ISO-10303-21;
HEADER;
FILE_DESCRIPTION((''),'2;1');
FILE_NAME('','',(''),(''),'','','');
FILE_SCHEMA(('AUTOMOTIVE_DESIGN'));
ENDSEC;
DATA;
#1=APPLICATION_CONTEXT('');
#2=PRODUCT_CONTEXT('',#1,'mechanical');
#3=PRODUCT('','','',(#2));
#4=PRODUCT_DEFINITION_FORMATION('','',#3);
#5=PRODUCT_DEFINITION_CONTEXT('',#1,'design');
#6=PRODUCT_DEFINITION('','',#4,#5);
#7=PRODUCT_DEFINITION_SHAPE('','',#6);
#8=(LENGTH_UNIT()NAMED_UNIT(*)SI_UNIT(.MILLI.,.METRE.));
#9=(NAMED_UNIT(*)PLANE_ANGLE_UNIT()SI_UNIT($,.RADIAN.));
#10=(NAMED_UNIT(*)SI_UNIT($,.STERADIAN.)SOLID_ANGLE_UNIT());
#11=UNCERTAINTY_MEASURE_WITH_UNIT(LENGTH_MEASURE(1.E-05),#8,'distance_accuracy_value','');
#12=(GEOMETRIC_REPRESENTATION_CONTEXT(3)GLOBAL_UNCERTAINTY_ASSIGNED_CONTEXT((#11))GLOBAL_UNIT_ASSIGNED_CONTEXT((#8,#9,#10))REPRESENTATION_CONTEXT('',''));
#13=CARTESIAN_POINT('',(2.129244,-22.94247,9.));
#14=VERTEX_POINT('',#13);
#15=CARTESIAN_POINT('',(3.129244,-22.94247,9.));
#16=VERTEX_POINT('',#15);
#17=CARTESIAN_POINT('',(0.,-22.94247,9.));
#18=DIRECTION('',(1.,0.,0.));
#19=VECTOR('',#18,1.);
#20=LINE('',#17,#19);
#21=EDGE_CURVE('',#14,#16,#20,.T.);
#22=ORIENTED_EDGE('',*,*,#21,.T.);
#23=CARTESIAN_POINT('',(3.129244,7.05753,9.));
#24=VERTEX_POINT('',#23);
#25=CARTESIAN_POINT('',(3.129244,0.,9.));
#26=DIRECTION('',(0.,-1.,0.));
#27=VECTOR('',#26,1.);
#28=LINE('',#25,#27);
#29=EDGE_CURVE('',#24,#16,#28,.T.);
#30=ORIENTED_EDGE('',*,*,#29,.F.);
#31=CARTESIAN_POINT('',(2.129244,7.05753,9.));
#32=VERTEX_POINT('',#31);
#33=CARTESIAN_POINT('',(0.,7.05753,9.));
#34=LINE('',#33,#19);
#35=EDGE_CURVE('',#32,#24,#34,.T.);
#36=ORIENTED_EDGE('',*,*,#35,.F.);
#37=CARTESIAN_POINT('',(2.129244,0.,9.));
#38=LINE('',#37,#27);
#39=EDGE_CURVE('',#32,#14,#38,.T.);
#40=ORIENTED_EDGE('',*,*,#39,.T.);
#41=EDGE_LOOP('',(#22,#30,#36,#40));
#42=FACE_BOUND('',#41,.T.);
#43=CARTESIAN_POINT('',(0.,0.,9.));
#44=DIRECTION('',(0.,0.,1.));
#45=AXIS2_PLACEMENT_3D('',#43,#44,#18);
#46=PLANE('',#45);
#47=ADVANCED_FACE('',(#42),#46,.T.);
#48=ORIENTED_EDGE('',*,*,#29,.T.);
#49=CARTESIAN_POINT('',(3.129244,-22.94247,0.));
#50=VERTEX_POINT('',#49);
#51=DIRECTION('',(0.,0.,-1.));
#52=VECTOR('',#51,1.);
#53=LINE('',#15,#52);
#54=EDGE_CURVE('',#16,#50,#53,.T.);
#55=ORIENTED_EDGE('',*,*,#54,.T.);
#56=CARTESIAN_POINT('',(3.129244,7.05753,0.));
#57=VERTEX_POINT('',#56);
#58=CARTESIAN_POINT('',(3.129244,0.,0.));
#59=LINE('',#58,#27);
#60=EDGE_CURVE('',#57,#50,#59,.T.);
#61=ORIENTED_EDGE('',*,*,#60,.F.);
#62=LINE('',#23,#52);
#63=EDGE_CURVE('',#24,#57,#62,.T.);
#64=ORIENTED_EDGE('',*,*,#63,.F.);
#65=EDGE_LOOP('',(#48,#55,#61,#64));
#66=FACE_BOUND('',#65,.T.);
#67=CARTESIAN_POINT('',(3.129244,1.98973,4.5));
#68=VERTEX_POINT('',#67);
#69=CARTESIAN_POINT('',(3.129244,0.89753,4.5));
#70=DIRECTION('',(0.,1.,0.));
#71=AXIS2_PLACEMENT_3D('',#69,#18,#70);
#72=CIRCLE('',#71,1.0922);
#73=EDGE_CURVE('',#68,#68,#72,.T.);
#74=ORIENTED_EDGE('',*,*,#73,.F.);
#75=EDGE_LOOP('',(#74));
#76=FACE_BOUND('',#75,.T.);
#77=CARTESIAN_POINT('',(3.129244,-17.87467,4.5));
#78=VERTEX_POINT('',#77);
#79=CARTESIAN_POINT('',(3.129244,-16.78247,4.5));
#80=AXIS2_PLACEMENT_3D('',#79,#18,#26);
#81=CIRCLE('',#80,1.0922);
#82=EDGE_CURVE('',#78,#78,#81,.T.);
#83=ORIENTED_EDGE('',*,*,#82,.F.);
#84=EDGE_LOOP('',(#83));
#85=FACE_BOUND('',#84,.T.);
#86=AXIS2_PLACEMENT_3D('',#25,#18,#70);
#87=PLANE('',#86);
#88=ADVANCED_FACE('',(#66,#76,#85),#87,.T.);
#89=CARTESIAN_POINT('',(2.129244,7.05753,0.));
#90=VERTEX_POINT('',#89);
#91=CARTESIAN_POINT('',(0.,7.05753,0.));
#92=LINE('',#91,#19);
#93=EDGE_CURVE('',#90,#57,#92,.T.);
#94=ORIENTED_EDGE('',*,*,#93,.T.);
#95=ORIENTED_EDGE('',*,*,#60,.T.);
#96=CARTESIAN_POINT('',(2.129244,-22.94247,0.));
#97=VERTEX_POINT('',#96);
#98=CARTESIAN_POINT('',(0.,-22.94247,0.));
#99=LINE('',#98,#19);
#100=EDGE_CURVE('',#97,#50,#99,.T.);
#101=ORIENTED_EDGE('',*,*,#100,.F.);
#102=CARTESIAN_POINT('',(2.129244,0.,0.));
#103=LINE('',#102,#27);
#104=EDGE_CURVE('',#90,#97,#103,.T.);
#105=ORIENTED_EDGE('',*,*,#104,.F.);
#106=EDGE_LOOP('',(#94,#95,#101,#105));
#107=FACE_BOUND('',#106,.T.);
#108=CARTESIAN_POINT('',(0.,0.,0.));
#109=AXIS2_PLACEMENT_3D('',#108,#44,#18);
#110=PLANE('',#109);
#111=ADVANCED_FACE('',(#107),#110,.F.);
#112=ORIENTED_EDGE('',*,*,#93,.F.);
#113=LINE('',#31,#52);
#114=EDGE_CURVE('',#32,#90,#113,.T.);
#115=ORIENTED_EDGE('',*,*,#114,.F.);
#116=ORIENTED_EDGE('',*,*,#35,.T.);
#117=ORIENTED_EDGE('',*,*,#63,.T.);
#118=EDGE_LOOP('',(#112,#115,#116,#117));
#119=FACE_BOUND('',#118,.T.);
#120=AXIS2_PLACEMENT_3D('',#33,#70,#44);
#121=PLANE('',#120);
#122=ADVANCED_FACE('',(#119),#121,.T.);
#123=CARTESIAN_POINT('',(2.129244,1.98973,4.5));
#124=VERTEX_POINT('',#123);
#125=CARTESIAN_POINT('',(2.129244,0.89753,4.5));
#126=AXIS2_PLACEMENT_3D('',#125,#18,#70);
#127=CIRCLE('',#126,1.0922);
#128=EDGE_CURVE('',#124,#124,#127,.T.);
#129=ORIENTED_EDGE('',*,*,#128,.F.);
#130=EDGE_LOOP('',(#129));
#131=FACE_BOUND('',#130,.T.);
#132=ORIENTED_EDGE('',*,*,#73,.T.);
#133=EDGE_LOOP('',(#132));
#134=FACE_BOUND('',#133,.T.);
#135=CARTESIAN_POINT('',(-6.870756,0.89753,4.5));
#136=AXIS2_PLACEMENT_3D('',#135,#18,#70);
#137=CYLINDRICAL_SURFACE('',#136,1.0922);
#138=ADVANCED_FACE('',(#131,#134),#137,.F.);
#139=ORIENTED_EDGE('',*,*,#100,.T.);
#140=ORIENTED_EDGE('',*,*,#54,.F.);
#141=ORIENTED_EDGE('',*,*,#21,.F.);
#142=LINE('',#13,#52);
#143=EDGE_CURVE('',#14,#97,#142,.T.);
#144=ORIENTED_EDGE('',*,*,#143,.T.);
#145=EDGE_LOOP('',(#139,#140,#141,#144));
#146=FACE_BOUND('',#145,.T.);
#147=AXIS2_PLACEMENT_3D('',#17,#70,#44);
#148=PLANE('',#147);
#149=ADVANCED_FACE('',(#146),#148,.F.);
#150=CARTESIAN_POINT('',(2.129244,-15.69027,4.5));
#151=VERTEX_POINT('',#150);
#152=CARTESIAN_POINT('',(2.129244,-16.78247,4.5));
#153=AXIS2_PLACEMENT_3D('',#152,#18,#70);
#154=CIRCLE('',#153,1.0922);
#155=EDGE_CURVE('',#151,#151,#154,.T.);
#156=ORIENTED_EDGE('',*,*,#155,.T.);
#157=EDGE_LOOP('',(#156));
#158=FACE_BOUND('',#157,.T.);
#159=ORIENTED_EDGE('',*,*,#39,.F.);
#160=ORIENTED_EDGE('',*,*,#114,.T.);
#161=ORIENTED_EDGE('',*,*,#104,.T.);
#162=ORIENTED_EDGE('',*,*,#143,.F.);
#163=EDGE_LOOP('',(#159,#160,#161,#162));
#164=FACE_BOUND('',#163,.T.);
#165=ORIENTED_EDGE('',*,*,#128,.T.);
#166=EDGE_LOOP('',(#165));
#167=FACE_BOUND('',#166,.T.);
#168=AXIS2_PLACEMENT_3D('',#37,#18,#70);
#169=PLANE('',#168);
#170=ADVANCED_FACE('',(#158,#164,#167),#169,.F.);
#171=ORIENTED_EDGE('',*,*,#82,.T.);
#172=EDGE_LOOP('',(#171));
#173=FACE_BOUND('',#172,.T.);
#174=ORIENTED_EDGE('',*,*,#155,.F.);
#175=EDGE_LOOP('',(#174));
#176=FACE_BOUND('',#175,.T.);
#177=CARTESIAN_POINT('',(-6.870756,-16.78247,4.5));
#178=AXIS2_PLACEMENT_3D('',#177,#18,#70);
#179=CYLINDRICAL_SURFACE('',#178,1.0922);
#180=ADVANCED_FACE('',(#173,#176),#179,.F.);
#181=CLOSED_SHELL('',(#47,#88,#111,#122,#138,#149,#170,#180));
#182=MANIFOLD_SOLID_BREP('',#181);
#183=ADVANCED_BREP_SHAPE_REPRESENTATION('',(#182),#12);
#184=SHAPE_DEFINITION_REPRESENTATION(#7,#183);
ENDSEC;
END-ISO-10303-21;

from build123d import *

# Parameters (mm, degrees)
BOSS_EXTRUDE1_DEPTH = 9
SKETCH2_R           = 1.0922
CUT_EXTRUDE1_DEPTH  = 10


with BuildPart() as part:
    # Sketch1 → Boss-Extrude1 (new body)
    with BuildSketch(Plane.XY):
        Polygon((3.129243729, 7.05753004), (2.129243729, 7.05753004), (2.129243729, -22.94246996), (3.129243729, -22.94246996), (3.129243729, -4.94246996), align=None)
    extrude(amount=BOSS_EXTRUDE1_DEPTH)

    # Sketch2 → Cut-Extrude1 (cut)
    with BuildSketch(Plane(origin=(3.129243729, 0, 0), x_dir=(0, 0, -1), z_dir=(1, 0, 0))):
        with Locations(Location((-4.5, 0.89753004, 0), (0, 0, 90))):
            Circle(SKETCH2_R)
        with Locations(Location((-4.5, -16.78246996, 0), (0, 0, 90))):
            Circle(SKETCH2_R)
    extrude(amount=-CUT_EXTRUDE1_DEPTH, mode=Mode.SUBTRACT)


solid = part.part
